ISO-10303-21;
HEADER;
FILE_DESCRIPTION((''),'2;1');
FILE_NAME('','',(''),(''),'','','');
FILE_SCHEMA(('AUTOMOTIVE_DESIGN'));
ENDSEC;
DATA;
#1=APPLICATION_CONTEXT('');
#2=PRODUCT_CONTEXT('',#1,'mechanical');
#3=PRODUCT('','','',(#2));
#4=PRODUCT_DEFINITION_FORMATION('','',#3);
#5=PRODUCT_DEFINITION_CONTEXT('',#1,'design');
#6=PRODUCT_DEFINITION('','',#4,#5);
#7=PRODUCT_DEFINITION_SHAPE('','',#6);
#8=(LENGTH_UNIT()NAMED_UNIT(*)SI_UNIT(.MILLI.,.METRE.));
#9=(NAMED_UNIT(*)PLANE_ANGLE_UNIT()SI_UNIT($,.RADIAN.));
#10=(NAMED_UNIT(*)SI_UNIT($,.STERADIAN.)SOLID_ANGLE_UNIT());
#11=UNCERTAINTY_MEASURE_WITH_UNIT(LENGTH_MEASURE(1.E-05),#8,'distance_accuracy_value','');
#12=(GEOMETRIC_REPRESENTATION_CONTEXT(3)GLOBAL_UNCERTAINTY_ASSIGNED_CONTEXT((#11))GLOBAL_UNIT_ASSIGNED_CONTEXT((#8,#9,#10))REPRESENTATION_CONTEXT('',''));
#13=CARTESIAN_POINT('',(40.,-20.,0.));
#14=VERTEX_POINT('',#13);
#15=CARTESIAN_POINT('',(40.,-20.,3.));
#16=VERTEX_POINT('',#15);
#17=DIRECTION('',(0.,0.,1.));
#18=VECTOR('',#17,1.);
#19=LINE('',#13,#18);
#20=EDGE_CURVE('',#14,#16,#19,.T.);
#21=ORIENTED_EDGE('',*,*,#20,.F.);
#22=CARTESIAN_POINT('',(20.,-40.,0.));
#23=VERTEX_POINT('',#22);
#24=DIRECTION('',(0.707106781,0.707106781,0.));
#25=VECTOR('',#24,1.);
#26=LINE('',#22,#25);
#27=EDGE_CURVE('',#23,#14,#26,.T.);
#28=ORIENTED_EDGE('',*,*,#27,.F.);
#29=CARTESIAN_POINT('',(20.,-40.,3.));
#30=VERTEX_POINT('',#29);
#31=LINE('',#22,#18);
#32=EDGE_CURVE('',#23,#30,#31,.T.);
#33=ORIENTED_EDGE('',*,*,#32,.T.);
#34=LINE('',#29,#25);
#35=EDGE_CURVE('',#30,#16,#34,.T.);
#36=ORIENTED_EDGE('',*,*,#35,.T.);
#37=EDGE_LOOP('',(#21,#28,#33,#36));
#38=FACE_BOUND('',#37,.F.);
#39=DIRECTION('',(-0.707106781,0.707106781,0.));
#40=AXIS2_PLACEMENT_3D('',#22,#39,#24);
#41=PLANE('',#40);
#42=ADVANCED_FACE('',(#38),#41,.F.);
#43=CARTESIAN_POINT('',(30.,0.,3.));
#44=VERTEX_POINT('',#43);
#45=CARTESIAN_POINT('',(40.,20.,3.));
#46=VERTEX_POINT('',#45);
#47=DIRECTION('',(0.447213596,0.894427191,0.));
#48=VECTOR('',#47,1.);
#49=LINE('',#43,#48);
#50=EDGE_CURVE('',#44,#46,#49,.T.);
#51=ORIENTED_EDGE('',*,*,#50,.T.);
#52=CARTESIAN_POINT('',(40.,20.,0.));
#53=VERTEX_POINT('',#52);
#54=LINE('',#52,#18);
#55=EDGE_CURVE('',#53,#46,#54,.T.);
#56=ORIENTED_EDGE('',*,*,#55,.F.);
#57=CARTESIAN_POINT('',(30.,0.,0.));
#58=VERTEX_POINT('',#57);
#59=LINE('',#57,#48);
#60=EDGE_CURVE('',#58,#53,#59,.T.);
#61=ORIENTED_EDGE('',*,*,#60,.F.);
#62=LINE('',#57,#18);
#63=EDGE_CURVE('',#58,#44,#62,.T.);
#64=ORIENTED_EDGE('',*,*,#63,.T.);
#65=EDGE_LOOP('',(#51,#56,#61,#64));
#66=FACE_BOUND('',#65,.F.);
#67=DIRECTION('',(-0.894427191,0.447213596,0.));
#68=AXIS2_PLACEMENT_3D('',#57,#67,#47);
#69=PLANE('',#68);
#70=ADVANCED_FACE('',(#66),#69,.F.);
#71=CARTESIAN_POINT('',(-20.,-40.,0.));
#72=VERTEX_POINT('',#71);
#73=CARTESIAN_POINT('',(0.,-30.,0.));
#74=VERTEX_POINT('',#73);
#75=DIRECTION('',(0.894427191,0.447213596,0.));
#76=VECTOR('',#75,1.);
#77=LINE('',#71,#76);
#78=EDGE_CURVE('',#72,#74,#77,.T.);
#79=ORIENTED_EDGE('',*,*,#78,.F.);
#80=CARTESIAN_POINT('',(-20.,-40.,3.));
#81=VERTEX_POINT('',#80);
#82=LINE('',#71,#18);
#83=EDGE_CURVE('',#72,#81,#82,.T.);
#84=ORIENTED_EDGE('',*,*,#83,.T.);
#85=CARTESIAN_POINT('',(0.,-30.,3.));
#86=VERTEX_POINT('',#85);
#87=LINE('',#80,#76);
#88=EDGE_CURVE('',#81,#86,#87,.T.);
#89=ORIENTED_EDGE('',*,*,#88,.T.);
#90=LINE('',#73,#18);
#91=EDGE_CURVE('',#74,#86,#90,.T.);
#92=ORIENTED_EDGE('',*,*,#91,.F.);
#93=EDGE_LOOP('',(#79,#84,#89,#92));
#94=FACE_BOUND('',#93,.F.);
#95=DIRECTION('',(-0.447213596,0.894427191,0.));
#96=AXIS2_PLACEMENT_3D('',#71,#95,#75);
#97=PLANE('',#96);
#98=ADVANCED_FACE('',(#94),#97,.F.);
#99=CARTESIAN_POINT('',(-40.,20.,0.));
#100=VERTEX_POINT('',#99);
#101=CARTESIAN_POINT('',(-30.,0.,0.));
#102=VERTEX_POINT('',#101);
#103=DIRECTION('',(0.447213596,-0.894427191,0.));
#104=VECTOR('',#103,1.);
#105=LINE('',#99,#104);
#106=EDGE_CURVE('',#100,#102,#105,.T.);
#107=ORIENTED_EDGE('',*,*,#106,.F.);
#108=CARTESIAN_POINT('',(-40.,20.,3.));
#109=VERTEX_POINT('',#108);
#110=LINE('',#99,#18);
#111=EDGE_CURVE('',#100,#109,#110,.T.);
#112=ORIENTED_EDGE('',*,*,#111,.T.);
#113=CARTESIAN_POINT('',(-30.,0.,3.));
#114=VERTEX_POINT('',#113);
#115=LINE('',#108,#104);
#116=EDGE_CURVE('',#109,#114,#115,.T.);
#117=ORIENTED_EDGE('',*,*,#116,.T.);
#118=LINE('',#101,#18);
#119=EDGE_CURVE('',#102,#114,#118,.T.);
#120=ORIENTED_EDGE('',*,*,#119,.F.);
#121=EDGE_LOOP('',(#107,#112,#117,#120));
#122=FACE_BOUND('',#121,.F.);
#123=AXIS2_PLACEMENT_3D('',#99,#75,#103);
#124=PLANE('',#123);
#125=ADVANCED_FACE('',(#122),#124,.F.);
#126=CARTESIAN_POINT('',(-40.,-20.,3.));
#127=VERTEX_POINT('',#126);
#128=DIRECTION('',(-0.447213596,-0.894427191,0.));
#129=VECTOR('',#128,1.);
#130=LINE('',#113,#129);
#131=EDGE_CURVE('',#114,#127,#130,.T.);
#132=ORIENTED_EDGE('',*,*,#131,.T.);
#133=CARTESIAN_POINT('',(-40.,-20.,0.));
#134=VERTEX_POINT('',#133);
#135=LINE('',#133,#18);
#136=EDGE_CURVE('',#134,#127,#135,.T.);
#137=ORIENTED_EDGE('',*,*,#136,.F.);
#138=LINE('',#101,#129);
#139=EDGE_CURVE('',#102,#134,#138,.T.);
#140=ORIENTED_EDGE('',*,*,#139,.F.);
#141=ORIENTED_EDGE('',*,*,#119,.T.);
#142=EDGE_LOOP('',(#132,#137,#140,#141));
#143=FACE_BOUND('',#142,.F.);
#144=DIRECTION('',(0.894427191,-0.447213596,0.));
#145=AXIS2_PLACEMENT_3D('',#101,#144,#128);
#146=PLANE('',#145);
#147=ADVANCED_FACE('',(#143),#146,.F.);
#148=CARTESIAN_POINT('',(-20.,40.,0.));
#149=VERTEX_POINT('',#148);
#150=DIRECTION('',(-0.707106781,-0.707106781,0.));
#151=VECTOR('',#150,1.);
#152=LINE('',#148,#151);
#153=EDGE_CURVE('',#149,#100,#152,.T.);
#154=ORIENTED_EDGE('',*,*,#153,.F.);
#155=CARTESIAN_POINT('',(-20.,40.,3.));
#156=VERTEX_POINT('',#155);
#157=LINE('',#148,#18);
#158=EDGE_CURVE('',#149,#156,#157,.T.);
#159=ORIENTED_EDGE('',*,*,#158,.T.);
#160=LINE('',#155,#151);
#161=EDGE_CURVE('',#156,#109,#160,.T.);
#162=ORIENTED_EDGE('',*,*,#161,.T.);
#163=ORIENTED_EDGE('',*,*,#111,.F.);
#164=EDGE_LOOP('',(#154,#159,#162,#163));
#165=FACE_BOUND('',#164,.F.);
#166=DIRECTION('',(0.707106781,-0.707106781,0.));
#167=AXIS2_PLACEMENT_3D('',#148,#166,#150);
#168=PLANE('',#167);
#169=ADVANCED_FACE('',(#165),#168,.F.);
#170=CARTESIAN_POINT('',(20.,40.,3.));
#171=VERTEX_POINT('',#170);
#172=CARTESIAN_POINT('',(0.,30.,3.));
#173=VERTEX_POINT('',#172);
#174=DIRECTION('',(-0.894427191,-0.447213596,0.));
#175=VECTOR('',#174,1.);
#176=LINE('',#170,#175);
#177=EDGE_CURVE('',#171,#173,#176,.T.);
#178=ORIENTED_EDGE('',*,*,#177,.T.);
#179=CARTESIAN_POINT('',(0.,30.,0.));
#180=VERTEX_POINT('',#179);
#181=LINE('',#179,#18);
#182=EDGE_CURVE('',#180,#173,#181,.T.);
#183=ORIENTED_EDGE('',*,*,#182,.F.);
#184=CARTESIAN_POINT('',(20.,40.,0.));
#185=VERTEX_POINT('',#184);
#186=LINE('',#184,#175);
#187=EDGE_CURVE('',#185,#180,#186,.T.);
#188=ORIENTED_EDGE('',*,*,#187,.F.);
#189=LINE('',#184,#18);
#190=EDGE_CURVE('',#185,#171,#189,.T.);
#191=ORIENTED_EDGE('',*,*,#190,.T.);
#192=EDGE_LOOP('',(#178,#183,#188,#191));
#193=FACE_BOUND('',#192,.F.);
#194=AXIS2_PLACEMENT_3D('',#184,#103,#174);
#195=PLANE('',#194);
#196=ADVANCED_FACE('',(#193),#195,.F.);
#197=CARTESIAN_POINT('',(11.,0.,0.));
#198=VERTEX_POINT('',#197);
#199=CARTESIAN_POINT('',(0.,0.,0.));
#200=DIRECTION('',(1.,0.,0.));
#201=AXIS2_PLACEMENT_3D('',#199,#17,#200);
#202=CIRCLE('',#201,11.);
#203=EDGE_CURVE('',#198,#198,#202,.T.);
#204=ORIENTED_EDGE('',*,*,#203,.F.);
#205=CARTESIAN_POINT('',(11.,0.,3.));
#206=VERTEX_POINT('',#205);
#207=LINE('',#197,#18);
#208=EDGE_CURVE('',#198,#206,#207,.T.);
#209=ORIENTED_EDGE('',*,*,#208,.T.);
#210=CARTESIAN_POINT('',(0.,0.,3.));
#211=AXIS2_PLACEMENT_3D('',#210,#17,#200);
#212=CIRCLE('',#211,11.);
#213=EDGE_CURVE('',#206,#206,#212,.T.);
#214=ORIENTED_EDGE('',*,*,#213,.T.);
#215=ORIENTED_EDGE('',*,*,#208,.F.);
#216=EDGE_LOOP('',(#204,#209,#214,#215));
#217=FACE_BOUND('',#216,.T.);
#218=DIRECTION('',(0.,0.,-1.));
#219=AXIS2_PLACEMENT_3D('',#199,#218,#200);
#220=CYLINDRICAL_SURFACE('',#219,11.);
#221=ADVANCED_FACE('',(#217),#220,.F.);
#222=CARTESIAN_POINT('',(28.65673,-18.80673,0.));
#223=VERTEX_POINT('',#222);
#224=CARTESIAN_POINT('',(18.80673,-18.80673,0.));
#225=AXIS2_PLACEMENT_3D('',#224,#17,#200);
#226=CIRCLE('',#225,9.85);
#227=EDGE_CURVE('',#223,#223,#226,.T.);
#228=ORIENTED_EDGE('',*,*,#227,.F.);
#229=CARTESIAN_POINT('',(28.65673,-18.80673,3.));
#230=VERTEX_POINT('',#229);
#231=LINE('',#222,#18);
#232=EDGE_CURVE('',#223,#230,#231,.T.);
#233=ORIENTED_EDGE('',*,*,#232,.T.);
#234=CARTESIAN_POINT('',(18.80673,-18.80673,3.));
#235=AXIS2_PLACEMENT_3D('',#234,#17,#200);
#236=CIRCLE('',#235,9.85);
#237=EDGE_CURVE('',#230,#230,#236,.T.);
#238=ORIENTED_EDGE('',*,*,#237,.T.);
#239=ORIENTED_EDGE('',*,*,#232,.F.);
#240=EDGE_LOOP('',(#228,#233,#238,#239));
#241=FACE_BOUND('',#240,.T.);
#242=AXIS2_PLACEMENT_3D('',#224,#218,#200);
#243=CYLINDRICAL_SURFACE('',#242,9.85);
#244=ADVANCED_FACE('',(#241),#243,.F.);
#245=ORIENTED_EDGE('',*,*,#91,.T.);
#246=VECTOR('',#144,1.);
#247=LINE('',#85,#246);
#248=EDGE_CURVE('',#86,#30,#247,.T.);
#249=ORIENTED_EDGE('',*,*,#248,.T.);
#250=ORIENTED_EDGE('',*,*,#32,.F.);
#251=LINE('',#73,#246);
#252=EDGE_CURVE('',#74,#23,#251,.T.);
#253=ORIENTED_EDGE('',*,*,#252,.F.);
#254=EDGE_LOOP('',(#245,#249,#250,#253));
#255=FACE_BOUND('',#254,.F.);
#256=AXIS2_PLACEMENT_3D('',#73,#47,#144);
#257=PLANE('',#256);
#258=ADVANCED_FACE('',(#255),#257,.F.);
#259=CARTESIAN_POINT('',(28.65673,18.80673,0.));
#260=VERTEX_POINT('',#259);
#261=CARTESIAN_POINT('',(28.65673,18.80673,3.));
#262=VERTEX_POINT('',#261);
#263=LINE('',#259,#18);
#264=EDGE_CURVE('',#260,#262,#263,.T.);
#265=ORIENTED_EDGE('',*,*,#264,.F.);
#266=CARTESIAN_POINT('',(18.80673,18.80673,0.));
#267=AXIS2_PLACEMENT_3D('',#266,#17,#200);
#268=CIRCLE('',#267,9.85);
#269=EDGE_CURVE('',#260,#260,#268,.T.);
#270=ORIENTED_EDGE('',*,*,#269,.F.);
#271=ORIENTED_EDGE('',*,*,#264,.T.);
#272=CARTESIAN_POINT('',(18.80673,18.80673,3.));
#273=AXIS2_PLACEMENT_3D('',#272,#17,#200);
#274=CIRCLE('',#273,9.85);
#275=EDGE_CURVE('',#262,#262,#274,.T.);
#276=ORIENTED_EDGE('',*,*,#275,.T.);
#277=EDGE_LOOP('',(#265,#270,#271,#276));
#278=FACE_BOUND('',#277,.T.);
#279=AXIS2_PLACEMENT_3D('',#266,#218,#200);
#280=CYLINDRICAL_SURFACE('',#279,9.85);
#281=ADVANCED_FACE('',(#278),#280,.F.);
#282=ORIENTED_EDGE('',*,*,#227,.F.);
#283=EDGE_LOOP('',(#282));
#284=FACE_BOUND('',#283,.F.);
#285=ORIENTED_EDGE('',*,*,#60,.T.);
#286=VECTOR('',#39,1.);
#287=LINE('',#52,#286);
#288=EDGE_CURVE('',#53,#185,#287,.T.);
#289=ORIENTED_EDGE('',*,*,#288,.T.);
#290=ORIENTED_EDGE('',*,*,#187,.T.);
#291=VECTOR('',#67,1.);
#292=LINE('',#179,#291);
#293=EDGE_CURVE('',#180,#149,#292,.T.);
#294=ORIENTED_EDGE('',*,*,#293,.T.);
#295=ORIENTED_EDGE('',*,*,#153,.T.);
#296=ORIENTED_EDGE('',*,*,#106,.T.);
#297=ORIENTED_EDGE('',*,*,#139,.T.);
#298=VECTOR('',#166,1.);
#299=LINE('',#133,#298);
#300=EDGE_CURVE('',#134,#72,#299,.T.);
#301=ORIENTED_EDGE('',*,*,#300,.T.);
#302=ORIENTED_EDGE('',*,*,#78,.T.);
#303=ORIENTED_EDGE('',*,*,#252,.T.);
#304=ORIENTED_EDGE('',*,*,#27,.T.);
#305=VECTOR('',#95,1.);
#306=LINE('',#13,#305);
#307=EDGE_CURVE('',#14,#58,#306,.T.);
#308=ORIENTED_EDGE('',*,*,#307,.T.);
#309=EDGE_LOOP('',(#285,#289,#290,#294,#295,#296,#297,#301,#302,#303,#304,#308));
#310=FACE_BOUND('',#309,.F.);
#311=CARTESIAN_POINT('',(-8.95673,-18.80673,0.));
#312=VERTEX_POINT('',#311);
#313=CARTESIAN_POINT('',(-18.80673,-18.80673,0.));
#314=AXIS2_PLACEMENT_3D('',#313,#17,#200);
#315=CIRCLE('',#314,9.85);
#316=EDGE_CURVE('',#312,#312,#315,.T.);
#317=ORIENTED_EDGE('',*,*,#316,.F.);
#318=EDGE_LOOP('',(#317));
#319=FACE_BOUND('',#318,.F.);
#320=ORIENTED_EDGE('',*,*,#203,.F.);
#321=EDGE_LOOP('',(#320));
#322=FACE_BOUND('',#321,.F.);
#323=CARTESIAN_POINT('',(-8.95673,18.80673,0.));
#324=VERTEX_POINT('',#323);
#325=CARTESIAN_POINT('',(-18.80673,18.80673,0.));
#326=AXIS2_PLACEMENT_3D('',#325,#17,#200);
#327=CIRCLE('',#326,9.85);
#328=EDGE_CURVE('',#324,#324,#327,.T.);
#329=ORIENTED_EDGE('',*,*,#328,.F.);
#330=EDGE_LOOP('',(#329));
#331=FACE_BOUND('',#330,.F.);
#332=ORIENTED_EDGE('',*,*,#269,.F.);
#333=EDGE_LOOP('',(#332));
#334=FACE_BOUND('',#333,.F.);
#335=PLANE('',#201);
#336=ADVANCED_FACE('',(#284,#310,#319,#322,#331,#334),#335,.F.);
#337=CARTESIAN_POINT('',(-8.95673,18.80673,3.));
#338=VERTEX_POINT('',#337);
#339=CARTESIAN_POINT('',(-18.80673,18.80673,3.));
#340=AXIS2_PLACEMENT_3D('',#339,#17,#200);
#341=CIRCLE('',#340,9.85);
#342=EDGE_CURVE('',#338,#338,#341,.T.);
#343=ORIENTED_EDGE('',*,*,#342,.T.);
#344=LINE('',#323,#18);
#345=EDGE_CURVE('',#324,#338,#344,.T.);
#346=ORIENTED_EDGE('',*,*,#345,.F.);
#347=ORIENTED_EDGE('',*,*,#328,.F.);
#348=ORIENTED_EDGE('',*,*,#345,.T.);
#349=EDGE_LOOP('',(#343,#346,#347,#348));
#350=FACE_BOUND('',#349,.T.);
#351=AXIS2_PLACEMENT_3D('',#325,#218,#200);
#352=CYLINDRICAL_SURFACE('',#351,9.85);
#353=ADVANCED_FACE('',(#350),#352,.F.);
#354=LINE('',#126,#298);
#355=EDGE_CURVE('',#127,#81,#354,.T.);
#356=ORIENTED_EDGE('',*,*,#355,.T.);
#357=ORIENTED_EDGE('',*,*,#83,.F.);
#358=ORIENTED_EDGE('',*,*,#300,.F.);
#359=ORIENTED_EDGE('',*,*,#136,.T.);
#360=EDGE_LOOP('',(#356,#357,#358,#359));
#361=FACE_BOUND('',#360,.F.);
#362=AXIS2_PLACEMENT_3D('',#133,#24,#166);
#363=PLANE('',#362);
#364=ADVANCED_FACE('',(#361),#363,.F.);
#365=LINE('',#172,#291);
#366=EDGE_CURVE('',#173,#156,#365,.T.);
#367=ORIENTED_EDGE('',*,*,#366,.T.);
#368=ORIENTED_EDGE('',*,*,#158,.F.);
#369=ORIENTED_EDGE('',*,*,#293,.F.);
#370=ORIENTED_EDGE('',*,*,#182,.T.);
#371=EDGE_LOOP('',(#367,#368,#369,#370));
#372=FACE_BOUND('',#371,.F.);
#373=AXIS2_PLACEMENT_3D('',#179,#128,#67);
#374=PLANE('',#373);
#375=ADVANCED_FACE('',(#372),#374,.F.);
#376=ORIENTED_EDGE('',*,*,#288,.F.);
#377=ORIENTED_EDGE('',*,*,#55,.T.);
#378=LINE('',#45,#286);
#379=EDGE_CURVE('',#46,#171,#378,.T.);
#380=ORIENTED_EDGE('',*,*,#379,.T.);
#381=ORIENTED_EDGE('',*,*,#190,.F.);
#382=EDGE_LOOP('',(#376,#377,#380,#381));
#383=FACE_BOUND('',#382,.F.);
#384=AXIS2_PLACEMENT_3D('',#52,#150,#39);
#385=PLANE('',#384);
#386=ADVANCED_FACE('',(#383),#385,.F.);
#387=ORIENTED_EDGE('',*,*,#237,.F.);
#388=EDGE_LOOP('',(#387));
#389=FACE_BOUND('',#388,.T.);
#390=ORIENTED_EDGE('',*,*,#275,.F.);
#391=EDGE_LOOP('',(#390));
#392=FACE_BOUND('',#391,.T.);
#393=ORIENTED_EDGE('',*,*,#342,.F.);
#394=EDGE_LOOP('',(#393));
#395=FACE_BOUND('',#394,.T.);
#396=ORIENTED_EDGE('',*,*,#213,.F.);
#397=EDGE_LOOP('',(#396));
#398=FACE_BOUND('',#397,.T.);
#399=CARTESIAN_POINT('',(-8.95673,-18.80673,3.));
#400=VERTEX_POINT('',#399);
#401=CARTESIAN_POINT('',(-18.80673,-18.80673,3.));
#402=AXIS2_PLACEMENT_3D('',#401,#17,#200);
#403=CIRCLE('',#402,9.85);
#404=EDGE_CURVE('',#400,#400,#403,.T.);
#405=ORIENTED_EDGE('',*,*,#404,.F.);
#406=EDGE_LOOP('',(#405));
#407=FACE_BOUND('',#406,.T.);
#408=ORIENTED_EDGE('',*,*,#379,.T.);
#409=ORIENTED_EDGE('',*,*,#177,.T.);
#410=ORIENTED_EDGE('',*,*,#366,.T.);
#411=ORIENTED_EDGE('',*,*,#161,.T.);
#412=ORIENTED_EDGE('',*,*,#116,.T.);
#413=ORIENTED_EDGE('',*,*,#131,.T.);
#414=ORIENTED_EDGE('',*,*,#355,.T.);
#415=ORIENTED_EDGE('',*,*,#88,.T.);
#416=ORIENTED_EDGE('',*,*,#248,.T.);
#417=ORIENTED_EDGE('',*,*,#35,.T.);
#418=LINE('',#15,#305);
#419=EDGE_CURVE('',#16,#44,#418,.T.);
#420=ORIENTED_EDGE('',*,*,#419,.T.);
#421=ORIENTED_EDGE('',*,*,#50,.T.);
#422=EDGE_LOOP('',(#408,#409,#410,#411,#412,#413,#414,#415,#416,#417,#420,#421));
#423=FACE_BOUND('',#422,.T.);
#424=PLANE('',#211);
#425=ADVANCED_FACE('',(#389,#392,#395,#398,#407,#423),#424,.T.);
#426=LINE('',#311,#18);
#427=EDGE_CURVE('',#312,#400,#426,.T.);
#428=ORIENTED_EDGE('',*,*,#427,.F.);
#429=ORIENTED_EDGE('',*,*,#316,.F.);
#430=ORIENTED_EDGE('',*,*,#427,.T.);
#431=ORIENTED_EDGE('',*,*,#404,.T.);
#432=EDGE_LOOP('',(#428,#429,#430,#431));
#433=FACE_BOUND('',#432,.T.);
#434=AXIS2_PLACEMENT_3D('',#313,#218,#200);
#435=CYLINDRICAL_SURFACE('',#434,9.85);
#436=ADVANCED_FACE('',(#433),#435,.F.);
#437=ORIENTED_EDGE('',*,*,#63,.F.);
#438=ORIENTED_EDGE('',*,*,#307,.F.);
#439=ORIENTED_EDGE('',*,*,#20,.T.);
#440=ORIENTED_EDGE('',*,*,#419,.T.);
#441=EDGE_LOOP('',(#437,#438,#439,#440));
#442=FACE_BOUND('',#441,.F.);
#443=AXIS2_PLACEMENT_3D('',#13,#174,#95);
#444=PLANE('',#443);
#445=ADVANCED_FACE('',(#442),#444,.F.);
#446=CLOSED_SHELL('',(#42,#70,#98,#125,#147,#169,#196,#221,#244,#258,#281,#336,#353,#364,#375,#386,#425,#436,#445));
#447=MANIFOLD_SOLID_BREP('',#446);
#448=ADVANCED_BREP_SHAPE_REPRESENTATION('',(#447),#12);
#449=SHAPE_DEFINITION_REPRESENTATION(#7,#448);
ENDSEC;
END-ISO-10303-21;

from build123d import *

# Parameters (mm, degrees)
F0_R     = 9.85
F0_R_2   = 11
F1_DEPTH = 3


with BuildPart() as f1:
    # F0 (on Top) → F1 (new body)
    with BuildSketch(Plane.XY):
        Polygon((0, 30), (-20, 40), (-40, 20), (-30, 0), (-40, -20), (-20, -40), (0, -30), (20, -40), (40, -20), (30, 0), (40, 20), (20, 40), align=None)
        with Locations((-18.80673, -18.80673)):
            Circle(F0_R, mode=Mode.SUBTRACT)
        with Locations((18.80673, -18.80673)):
            Circle(F0_R, mode=Mode.SUBTRACT)
        with Locations((-18.80673, 18.80673)):
            Circle(F0_R, mode=Mode.SUBTRACT)
        Circle(F0_R_2, mode=Mode.SUBTRACT)
        with Locations((18.80673, 18.80673)):
            Circle(F0_R, mode=Mode.SUBTRACT)
    extrude(amount=F1_DEPTH)


solid = f1.part
